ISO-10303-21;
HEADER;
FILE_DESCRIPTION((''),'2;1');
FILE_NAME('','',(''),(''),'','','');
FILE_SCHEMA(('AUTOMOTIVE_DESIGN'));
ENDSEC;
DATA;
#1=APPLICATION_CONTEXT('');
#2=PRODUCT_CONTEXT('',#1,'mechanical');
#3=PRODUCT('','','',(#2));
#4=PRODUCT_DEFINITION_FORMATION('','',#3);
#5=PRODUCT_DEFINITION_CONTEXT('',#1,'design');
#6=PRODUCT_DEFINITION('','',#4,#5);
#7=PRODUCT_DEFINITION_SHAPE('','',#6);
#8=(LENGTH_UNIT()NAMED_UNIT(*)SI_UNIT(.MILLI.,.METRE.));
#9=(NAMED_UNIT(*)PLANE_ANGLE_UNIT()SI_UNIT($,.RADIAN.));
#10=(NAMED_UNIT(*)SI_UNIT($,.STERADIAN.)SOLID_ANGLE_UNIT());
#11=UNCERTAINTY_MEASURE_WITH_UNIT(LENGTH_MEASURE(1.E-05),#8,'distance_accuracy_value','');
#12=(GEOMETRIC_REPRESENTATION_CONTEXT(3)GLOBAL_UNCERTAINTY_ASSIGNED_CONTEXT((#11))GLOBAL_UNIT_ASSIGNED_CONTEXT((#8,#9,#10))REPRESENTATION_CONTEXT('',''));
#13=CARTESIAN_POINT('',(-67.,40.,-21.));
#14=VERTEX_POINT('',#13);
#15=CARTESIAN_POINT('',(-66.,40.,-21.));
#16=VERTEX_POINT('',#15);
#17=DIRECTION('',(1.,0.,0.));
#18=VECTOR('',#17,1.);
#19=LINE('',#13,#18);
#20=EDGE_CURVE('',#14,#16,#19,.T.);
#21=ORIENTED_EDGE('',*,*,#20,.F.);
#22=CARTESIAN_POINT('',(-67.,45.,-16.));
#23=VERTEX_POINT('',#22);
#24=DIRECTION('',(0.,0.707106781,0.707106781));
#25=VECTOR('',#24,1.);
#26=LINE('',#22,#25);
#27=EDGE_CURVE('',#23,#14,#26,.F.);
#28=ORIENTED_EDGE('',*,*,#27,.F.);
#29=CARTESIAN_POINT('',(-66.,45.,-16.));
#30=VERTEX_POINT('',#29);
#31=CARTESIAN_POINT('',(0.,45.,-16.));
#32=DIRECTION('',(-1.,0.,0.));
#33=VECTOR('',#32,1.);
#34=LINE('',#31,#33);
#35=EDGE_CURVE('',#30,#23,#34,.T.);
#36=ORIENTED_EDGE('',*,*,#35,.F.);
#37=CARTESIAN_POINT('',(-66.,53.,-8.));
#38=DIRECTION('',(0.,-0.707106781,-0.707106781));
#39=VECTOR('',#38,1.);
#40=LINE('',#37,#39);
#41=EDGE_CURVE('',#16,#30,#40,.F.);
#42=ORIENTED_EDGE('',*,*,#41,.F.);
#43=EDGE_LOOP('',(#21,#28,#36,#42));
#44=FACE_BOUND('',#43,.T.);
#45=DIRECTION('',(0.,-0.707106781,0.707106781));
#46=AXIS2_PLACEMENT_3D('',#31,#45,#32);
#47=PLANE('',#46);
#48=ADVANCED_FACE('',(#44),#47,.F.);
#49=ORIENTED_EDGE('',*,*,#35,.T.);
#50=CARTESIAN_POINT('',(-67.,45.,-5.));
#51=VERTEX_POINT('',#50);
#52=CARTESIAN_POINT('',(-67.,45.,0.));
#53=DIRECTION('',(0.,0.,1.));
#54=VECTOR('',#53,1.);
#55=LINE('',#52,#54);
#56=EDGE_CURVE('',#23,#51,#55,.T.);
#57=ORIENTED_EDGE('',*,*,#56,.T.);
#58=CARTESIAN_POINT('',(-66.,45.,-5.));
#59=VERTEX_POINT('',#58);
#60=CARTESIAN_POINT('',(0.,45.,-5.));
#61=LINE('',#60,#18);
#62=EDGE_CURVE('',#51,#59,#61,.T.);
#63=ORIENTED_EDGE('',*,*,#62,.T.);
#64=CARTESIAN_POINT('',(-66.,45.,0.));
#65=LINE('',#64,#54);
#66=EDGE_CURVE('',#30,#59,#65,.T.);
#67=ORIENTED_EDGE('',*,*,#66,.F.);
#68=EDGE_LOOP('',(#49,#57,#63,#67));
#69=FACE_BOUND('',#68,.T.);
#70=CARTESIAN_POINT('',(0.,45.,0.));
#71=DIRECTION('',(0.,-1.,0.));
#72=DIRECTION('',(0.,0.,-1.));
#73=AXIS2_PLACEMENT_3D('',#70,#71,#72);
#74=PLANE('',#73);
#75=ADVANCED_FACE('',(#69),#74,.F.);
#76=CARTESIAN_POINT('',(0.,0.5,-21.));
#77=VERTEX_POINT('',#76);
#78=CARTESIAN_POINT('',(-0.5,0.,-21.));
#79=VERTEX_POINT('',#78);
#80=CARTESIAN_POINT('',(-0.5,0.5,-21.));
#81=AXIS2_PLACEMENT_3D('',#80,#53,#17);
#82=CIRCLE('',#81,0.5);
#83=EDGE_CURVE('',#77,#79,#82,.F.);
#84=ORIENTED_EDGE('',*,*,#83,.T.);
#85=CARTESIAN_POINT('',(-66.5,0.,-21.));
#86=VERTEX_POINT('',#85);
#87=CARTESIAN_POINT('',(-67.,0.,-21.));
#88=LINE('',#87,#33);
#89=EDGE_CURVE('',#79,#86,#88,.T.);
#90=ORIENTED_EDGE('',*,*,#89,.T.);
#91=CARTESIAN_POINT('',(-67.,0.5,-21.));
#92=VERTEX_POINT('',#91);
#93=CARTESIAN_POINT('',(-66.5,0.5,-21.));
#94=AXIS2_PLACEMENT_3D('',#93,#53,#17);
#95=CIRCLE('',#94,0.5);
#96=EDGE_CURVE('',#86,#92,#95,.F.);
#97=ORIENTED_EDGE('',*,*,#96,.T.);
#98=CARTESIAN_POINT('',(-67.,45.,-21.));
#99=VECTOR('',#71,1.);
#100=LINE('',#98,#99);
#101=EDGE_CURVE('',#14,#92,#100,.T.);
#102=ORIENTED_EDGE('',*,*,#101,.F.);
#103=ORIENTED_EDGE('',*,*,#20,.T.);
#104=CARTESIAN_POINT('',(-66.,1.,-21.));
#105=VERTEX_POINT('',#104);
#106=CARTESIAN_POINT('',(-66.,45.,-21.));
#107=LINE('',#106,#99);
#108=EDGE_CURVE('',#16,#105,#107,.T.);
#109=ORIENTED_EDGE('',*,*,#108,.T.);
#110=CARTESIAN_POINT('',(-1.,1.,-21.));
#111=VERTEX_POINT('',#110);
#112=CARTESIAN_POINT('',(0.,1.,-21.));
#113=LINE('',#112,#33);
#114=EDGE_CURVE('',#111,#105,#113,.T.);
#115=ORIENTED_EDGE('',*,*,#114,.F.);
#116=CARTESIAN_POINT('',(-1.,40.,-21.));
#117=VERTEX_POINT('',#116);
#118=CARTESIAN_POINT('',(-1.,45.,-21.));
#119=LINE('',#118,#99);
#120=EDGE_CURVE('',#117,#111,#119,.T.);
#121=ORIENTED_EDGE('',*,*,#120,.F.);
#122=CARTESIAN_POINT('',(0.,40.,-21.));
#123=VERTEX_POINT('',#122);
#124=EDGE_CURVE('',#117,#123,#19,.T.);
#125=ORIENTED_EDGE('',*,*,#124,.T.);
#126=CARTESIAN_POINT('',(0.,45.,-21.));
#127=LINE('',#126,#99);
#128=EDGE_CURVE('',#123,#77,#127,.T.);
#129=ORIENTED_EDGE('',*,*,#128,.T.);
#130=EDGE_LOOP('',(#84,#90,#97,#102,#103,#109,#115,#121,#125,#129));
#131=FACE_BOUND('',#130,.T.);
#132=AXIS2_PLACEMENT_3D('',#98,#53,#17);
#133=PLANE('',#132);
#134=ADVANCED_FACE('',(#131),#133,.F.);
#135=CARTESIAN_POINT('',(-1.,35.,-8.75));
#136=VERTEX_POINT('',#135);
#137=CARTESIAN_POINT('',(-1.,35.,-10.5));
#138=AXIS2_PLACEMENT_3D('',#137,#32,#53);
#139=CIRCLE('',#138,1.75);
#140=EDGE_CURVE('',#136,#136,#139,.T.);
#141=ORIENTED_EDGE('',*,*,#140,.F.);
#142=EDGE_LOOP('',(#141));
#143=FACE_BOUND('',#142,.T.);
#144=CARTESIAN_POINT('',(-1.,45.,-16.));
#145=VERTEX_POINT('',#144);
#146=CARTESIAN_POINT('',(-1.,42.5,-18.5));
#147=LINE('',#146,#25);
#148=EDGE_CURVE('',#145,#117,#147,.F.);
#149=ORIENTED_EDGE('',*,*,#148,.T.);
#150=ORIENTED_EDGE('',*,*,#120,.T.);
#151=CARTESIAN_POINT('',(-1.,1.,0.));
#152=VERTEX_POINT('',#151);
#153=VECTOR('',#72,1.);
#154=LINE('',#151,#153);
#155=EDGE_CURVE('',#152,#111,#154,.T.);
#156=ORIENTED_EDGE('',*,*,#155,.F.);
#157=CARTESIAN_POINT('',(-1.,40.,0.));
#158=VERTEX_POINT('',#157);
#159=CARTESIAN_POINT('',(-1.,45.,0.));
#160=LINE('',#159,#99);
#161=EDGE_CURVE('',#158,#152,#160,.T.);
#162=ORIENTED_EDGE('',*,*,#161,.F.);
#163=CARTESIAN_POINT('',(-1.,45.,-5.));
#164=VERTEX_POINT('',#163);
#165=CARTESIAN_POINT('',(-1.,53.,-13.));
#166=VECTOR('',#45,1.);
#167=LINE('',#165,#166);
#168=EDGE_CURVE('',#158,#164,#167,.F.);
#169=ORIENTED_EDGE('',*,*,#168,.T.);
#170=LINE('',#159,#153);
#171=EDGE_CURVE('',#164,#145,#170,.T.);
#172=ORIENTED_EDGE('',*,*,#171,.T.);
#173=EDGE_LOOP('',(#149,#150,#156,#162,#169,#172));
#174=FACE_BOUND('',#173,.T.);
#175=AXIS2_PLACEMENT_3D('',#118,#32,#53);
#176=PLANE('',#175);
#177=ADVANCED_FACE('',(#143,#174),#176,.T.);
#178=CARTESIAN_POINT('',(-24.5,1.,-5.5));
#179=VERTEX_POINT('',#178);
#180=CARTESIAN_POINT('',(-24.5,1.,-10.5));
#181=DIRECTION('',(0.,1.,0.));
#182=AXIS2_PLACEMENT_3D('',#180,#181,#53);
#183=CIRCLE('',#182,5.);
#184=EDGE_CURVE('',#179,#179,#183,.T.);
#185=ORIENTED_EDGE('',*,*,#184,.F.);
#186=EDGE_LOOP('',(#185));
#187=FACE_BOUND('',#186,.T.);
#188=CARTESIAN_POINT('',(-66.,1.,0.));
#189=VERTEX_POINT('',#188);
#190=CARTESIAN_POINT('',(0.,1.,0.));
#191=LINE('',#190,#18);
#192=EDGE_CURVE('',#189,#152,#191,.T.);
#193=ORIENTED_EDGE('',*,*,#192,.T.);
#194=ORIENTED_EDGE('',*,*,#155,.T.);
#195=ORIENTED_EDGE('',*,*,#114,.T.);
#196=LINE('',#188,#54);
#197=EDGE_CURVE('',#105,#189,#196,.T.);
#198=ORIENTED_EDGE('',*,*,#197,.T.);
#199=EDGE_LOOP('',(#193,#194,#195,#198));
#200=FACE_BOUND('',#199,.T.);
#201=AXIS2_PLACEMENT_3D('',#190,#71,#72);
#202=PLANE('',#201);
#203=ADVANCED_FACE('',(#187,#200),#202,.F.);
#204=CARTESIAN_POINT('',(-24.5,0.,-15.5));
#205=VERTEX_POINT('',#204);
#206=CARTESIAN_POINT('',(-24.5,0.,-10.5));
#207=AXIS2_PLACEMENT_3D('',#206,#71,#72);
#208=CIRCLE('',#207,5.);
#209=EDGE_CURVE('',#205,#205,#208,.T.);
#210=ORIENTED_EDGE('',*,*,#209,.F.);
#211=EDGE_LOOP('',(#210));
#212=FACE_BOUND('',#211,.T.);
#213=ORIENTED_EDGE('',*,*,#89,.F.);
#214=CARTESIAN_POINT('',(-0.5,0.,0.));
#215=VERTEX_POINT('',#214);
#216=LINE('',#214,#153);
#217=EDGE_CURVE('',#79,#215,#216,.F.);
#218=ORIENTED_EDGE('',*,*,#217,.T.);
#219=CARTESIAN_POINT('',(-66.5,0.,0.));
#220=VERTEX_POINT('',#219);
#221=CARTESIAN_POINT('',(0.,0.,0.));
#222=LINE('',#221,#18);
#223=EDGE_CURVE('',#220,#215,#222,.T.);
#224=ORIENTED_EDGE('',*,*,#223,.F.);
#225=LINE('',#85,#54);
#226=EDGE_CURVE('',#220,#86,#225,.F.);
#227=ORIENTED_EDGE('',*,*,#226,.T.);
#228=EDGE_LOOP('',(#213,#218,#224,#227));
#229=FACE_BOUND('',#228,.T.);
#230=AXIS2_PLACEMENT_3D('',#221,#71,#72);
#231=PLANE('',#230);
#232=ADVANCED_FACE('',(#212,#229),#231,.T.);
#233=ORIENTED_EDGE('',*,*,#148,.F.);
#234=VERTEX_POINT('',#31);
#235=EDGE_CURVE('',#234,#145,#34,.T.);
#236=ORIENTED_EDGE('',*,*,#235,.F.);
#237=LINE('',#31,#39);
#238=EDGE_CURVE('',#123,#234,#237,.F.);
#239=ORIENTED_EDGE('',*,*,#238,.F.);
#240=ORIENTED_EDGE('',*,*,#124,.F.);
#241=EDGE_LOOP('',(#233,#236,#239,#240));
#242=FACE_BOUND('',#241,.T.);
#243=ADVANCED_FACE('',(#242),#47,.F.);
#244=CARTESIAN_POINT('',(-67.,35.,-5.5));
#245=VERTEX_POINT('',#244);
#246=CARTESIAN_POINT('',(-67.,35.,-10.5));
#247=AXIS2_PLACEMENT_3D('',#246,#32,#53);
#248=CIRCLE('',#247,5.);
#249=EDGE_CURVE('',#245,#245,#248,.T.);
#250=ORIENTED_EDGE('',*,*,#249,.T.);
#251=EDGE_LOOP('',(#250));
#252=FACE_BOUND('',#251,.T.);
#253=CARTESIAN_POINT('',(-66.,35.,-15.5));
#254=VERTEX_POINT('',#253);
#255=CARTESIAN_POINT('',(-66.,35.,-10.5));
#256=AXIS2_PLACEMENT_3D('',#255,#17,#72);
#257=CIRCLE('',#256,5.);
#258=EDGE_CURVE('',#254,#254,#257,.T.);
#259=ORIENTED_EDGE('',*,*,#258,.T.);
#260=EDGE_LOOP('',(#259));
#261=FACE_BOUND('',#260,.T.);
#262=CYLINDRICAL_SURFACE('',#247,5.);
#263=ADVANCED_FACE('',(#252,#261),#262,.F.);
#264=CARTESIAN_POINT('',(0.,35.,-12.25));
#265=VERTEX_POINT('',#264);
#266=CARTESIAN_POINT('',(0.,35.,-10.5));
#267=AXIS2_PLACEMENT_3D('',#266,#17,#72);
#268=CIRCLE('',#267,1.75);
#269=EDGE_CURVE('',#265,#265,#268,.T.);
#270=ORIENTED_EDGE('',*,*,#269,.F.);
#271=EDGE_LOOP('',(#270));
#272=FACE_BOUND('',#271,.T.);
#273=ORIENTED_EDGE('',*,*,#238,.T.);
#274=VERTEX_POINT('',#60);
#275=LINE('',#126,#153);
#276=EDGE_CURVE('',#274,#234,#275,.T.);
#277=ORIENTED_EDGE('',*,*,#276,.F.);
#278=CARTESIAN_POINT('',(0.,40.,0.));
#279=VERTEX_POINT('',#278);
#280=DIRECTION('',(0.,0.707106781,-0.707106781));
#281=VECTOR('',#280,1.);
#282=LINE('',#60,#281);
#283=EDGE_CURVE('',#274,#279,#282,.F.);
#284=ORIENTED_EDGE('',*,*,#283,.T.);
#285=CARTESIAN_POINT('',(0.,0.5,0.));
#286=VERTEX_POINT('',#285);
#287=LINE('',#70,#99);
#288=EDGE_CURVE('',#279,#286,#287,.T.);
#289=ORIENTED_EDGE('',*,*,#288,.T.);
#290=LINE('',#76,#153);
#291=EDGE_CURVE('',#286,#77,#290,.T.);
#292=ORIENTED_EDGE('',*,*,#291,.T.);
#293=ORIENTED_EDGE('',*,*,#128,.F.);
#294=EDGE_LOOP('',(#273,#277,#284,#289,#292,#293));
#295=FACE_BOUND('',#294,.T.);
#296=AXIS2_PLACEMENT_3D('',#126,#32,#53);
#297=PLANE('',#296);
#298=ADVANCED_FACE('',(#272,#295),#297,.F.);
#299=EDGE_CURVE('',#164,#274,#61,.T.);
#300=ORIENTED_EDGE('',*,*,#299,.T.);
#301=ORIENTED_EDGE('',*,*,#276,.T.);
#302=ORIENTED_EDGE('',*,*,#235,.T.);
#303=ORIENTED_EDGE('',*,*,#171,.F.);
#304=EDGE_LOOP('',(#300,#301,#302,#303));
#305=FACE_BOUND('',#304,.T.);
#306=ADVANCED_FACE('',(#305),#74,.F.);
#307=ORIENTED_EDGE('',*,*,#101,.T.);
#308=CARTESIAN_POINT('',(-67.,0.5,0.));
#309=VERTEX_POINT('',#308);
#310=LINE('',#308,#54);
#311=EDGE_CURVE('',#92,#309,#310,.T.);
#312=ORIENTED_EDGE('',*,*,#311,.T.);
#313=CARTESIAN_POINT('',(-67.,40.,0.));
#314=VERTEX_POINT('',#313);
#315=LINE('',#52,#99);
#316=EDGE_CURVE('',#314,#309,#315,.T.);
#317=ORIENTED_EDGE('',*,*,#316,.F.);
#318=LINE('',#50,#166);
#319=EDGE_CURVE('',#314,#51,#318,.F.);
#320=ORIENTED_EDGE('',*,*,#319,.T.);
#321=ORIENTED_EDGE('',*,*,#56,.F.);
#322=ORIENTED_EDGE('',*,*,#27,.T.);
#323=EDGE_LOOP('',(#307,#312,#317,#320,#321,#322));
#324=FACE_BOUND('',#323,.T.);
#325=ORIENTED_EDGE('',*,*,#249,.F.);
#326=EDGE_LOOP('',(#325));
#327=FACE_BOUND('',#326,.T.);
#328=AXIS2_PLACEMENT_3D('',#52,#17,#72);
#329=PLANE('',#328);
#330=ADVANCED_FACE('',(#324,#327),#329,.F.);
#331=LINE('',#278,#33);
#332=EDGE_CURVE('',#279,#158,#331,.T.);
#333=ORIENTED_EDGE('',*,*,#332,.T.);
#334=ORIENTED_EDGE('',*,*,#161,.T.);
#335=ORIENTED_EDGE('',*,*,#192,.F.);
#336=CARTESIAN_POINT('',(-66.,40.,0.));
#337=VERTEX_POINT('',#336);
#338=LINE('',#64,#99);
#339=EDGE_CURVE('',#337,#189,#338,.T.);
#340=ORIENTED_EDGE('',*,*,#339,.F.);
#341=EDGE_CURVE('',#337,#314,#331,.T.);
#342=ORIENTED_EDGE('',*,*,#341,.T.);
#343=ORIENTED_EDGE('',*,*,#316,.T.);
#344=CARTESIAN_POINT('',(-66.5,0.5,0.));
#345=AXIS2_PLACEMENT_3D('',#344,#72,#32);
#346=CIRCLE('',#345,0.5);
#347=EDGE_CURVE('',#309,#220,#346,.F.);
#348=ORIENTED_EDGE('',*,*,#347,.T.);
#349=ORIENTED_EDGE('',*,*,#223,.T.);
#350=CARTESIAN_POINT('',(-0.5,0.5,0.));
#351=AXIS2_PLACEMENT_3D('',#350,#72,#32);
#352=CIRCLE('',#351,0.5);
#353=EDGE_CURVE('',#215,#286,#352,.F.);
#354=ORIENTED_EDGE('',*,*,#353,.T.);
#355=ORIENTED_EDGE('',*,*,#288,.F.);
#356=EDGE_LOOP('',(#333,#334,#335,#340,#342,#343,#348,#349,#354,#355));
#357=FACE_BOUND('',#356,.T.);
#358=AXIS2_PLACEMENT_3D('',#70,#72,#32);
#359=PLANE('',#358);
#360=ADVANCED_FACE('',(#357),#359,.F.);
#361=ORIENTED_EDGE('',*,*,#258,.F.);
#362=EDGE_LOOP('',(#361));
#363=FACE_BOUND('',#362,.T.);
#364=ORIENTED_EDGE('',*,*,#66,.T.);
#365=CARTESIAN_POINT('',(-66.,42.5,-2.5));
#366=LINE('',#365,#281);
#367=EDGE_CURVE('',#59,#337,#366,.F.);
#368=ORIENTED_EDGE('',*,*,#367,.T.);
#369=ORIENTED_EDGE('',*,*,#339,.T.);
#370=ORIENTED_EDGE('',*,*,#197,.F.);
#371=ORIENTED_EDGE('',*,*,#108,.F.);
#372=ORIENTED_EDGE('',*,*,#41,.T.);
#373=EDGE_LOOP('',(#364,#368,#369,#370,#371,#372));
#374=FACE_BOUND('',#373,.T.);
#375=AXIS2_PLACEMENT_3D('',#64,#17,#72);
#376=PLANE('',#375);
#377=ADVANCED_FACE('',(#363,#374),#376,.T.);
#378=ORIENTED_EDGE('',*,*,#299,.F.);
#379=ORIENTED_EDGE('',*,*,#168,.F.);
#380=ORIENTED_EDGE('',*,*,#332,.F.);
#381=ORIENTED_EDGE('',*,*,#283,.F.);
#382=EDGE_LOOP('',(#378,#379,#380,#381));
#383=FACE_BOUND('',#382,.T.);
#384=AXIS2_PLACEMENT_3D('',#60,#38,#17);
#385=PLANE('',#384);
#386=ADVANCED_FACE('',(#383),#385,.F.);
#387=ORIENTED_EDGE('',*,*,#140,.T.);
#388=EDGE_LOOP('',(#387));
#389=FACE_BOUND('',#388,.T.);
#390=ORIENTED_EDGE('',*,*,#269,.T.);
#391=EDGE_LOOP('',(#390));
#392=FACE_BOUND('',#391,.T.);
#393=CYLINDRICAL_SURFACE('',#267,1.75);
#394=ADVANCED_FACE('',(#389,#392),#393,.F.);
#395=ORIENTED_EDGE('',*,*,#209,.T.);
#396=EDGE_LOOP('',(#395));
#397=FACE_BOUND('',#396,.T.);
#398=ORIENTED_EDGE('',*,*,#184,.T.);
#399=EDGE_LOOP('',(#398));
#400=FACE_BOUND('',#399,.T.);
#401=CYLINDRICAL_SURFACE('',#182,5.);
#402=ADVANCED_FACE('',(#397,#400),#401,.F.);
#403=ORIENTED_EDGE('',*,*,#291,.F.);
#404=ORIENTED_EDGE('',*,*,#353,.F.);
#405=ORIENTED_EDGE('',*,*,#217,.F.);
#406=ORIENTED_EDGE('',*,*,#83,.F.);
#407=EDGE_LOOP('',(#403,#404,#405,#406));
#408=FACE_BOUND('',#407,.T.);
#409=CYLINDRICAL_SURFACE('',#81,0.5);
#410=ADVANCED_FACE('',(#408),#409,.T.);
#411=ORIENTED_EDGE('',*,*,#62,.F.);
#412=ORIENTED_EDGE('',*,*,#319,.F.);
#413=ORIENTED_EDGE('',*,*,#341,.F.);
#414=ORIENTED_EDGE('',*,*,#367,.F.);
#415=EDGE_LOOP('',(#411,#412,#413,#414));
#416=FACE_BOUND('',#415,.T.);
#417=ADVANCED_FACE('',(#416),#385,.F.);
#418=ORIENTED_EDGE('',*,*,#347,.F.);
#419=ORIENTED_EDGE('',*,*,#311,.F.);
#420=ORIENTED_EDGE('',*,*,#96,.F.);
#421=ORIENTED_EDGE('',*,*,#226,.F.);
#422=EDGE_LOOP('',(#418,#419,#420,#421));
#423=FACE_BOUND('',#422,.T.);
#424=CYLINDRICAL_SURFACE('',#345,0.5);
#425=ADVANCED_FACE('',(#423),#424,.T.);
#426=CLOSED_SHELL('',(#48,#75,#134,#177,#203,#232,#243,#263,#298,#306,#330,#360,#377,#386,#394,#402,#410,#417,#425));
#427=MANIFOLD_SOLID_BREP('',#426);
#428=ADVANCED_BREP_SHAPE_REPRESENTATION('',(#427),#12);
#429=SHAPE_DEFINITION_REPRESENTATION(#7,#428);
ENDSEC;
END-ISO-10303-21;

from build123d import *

# Parameters (mm, degrees)
SKETCH_1_W                  = 67
SKETCH_1_H                  = 21
EXTRUDE_1_DEPTH             = 45
SHELL_1_T                   = -1
FILLET_1_R                  = 0.5
CHAMFER_1_SIZE              = 5
HOLE_WIZARD_10_0_10_1_D     = 10
HOLE_WIZARD_10_0_10_1_DEPTH = 1
HOLE_WIZARD_10_0_10_2_D     = 10
HOLE_WIZARD_3_5_3_5_1_D     = 3.5


with BuildPart() as part:
    # 草图1 → 凸台-拉伸1 (new body)
    with BuildSketch(Plane(origin=(0, 0, 0), x_dir=(1, 0, 0), z_dir=(0, 1, 0))):
        with Locations((-33.5, 10.5)):
            Rectangle(SKETCH_1_W, SKETCH_1_H)
    extrude(amount=EXTRUDE_1_DEPTH)

    # 抽壳1
    shell_1_openings = [part.faces().sort_by_distance(p)[0] for p in [
        (-33.5, 45, -10.5),
        (-33.5, 22.5, 0),
        (-33.5, 22.5, -21),
    ]]
    offset(amount=SHELL_1_T, openings=shell_1_openings, kind=Kind.INTERSECTION)

    # 圆角1
    fillet_1_edges = [part.edges().sort_by_distance(p)[0] for p in [
        (-67, 0, -10.5),
        (0, 0, -10.5),
    ]]
    fillet(fillet_1_edges, radius=FILLET_1_R)

    # 倒角1
    chamfer_1_edges = [part.edges().sort_by_distance(p)[0] for p in [
        (-66.5, 45, 0),
        (-66.5, 45, -21),
        (-0.5, 45, 0),
        (-0.5, 45, -21),
    ]]
    chamfer(chamfer_1_edges, length=CHAMFER_1_SIZE)

    # Ø10.0 (10) 直径槽口1
    with Locations(Plane.ZY.offset(67)):
        with Locations((-10.5, 35)):
            Hole(HOLE_WIZARD_10_0_10_1_D / 2, depth=HOLE_WIZARD_10_0_10_1_DEPTH)

    # Ø10.0 (10) 直径槽口2 (through all)
    with Locations(Plane(origin=(0, 1, 0), x_dir=(1, 0, 0), z_dir=(0, 1, 0))):
        with Locations((-24.5, 10.5)):
            Hole(HOLE_WIZARD_10_0_10_2_D / 2)

    # Ø3.5 (3.5) 直径槽口1 (through all)
    with Locations(Plane(origin=(0, 0, 0), x_dir=(0, 0, -1), z_dir=(1, 0, 0))):
        with Locations((10.5, 35)):
            Hole(HOLE_WIZARD_3_5_3_5_1_D / 2)


solid = part.part
